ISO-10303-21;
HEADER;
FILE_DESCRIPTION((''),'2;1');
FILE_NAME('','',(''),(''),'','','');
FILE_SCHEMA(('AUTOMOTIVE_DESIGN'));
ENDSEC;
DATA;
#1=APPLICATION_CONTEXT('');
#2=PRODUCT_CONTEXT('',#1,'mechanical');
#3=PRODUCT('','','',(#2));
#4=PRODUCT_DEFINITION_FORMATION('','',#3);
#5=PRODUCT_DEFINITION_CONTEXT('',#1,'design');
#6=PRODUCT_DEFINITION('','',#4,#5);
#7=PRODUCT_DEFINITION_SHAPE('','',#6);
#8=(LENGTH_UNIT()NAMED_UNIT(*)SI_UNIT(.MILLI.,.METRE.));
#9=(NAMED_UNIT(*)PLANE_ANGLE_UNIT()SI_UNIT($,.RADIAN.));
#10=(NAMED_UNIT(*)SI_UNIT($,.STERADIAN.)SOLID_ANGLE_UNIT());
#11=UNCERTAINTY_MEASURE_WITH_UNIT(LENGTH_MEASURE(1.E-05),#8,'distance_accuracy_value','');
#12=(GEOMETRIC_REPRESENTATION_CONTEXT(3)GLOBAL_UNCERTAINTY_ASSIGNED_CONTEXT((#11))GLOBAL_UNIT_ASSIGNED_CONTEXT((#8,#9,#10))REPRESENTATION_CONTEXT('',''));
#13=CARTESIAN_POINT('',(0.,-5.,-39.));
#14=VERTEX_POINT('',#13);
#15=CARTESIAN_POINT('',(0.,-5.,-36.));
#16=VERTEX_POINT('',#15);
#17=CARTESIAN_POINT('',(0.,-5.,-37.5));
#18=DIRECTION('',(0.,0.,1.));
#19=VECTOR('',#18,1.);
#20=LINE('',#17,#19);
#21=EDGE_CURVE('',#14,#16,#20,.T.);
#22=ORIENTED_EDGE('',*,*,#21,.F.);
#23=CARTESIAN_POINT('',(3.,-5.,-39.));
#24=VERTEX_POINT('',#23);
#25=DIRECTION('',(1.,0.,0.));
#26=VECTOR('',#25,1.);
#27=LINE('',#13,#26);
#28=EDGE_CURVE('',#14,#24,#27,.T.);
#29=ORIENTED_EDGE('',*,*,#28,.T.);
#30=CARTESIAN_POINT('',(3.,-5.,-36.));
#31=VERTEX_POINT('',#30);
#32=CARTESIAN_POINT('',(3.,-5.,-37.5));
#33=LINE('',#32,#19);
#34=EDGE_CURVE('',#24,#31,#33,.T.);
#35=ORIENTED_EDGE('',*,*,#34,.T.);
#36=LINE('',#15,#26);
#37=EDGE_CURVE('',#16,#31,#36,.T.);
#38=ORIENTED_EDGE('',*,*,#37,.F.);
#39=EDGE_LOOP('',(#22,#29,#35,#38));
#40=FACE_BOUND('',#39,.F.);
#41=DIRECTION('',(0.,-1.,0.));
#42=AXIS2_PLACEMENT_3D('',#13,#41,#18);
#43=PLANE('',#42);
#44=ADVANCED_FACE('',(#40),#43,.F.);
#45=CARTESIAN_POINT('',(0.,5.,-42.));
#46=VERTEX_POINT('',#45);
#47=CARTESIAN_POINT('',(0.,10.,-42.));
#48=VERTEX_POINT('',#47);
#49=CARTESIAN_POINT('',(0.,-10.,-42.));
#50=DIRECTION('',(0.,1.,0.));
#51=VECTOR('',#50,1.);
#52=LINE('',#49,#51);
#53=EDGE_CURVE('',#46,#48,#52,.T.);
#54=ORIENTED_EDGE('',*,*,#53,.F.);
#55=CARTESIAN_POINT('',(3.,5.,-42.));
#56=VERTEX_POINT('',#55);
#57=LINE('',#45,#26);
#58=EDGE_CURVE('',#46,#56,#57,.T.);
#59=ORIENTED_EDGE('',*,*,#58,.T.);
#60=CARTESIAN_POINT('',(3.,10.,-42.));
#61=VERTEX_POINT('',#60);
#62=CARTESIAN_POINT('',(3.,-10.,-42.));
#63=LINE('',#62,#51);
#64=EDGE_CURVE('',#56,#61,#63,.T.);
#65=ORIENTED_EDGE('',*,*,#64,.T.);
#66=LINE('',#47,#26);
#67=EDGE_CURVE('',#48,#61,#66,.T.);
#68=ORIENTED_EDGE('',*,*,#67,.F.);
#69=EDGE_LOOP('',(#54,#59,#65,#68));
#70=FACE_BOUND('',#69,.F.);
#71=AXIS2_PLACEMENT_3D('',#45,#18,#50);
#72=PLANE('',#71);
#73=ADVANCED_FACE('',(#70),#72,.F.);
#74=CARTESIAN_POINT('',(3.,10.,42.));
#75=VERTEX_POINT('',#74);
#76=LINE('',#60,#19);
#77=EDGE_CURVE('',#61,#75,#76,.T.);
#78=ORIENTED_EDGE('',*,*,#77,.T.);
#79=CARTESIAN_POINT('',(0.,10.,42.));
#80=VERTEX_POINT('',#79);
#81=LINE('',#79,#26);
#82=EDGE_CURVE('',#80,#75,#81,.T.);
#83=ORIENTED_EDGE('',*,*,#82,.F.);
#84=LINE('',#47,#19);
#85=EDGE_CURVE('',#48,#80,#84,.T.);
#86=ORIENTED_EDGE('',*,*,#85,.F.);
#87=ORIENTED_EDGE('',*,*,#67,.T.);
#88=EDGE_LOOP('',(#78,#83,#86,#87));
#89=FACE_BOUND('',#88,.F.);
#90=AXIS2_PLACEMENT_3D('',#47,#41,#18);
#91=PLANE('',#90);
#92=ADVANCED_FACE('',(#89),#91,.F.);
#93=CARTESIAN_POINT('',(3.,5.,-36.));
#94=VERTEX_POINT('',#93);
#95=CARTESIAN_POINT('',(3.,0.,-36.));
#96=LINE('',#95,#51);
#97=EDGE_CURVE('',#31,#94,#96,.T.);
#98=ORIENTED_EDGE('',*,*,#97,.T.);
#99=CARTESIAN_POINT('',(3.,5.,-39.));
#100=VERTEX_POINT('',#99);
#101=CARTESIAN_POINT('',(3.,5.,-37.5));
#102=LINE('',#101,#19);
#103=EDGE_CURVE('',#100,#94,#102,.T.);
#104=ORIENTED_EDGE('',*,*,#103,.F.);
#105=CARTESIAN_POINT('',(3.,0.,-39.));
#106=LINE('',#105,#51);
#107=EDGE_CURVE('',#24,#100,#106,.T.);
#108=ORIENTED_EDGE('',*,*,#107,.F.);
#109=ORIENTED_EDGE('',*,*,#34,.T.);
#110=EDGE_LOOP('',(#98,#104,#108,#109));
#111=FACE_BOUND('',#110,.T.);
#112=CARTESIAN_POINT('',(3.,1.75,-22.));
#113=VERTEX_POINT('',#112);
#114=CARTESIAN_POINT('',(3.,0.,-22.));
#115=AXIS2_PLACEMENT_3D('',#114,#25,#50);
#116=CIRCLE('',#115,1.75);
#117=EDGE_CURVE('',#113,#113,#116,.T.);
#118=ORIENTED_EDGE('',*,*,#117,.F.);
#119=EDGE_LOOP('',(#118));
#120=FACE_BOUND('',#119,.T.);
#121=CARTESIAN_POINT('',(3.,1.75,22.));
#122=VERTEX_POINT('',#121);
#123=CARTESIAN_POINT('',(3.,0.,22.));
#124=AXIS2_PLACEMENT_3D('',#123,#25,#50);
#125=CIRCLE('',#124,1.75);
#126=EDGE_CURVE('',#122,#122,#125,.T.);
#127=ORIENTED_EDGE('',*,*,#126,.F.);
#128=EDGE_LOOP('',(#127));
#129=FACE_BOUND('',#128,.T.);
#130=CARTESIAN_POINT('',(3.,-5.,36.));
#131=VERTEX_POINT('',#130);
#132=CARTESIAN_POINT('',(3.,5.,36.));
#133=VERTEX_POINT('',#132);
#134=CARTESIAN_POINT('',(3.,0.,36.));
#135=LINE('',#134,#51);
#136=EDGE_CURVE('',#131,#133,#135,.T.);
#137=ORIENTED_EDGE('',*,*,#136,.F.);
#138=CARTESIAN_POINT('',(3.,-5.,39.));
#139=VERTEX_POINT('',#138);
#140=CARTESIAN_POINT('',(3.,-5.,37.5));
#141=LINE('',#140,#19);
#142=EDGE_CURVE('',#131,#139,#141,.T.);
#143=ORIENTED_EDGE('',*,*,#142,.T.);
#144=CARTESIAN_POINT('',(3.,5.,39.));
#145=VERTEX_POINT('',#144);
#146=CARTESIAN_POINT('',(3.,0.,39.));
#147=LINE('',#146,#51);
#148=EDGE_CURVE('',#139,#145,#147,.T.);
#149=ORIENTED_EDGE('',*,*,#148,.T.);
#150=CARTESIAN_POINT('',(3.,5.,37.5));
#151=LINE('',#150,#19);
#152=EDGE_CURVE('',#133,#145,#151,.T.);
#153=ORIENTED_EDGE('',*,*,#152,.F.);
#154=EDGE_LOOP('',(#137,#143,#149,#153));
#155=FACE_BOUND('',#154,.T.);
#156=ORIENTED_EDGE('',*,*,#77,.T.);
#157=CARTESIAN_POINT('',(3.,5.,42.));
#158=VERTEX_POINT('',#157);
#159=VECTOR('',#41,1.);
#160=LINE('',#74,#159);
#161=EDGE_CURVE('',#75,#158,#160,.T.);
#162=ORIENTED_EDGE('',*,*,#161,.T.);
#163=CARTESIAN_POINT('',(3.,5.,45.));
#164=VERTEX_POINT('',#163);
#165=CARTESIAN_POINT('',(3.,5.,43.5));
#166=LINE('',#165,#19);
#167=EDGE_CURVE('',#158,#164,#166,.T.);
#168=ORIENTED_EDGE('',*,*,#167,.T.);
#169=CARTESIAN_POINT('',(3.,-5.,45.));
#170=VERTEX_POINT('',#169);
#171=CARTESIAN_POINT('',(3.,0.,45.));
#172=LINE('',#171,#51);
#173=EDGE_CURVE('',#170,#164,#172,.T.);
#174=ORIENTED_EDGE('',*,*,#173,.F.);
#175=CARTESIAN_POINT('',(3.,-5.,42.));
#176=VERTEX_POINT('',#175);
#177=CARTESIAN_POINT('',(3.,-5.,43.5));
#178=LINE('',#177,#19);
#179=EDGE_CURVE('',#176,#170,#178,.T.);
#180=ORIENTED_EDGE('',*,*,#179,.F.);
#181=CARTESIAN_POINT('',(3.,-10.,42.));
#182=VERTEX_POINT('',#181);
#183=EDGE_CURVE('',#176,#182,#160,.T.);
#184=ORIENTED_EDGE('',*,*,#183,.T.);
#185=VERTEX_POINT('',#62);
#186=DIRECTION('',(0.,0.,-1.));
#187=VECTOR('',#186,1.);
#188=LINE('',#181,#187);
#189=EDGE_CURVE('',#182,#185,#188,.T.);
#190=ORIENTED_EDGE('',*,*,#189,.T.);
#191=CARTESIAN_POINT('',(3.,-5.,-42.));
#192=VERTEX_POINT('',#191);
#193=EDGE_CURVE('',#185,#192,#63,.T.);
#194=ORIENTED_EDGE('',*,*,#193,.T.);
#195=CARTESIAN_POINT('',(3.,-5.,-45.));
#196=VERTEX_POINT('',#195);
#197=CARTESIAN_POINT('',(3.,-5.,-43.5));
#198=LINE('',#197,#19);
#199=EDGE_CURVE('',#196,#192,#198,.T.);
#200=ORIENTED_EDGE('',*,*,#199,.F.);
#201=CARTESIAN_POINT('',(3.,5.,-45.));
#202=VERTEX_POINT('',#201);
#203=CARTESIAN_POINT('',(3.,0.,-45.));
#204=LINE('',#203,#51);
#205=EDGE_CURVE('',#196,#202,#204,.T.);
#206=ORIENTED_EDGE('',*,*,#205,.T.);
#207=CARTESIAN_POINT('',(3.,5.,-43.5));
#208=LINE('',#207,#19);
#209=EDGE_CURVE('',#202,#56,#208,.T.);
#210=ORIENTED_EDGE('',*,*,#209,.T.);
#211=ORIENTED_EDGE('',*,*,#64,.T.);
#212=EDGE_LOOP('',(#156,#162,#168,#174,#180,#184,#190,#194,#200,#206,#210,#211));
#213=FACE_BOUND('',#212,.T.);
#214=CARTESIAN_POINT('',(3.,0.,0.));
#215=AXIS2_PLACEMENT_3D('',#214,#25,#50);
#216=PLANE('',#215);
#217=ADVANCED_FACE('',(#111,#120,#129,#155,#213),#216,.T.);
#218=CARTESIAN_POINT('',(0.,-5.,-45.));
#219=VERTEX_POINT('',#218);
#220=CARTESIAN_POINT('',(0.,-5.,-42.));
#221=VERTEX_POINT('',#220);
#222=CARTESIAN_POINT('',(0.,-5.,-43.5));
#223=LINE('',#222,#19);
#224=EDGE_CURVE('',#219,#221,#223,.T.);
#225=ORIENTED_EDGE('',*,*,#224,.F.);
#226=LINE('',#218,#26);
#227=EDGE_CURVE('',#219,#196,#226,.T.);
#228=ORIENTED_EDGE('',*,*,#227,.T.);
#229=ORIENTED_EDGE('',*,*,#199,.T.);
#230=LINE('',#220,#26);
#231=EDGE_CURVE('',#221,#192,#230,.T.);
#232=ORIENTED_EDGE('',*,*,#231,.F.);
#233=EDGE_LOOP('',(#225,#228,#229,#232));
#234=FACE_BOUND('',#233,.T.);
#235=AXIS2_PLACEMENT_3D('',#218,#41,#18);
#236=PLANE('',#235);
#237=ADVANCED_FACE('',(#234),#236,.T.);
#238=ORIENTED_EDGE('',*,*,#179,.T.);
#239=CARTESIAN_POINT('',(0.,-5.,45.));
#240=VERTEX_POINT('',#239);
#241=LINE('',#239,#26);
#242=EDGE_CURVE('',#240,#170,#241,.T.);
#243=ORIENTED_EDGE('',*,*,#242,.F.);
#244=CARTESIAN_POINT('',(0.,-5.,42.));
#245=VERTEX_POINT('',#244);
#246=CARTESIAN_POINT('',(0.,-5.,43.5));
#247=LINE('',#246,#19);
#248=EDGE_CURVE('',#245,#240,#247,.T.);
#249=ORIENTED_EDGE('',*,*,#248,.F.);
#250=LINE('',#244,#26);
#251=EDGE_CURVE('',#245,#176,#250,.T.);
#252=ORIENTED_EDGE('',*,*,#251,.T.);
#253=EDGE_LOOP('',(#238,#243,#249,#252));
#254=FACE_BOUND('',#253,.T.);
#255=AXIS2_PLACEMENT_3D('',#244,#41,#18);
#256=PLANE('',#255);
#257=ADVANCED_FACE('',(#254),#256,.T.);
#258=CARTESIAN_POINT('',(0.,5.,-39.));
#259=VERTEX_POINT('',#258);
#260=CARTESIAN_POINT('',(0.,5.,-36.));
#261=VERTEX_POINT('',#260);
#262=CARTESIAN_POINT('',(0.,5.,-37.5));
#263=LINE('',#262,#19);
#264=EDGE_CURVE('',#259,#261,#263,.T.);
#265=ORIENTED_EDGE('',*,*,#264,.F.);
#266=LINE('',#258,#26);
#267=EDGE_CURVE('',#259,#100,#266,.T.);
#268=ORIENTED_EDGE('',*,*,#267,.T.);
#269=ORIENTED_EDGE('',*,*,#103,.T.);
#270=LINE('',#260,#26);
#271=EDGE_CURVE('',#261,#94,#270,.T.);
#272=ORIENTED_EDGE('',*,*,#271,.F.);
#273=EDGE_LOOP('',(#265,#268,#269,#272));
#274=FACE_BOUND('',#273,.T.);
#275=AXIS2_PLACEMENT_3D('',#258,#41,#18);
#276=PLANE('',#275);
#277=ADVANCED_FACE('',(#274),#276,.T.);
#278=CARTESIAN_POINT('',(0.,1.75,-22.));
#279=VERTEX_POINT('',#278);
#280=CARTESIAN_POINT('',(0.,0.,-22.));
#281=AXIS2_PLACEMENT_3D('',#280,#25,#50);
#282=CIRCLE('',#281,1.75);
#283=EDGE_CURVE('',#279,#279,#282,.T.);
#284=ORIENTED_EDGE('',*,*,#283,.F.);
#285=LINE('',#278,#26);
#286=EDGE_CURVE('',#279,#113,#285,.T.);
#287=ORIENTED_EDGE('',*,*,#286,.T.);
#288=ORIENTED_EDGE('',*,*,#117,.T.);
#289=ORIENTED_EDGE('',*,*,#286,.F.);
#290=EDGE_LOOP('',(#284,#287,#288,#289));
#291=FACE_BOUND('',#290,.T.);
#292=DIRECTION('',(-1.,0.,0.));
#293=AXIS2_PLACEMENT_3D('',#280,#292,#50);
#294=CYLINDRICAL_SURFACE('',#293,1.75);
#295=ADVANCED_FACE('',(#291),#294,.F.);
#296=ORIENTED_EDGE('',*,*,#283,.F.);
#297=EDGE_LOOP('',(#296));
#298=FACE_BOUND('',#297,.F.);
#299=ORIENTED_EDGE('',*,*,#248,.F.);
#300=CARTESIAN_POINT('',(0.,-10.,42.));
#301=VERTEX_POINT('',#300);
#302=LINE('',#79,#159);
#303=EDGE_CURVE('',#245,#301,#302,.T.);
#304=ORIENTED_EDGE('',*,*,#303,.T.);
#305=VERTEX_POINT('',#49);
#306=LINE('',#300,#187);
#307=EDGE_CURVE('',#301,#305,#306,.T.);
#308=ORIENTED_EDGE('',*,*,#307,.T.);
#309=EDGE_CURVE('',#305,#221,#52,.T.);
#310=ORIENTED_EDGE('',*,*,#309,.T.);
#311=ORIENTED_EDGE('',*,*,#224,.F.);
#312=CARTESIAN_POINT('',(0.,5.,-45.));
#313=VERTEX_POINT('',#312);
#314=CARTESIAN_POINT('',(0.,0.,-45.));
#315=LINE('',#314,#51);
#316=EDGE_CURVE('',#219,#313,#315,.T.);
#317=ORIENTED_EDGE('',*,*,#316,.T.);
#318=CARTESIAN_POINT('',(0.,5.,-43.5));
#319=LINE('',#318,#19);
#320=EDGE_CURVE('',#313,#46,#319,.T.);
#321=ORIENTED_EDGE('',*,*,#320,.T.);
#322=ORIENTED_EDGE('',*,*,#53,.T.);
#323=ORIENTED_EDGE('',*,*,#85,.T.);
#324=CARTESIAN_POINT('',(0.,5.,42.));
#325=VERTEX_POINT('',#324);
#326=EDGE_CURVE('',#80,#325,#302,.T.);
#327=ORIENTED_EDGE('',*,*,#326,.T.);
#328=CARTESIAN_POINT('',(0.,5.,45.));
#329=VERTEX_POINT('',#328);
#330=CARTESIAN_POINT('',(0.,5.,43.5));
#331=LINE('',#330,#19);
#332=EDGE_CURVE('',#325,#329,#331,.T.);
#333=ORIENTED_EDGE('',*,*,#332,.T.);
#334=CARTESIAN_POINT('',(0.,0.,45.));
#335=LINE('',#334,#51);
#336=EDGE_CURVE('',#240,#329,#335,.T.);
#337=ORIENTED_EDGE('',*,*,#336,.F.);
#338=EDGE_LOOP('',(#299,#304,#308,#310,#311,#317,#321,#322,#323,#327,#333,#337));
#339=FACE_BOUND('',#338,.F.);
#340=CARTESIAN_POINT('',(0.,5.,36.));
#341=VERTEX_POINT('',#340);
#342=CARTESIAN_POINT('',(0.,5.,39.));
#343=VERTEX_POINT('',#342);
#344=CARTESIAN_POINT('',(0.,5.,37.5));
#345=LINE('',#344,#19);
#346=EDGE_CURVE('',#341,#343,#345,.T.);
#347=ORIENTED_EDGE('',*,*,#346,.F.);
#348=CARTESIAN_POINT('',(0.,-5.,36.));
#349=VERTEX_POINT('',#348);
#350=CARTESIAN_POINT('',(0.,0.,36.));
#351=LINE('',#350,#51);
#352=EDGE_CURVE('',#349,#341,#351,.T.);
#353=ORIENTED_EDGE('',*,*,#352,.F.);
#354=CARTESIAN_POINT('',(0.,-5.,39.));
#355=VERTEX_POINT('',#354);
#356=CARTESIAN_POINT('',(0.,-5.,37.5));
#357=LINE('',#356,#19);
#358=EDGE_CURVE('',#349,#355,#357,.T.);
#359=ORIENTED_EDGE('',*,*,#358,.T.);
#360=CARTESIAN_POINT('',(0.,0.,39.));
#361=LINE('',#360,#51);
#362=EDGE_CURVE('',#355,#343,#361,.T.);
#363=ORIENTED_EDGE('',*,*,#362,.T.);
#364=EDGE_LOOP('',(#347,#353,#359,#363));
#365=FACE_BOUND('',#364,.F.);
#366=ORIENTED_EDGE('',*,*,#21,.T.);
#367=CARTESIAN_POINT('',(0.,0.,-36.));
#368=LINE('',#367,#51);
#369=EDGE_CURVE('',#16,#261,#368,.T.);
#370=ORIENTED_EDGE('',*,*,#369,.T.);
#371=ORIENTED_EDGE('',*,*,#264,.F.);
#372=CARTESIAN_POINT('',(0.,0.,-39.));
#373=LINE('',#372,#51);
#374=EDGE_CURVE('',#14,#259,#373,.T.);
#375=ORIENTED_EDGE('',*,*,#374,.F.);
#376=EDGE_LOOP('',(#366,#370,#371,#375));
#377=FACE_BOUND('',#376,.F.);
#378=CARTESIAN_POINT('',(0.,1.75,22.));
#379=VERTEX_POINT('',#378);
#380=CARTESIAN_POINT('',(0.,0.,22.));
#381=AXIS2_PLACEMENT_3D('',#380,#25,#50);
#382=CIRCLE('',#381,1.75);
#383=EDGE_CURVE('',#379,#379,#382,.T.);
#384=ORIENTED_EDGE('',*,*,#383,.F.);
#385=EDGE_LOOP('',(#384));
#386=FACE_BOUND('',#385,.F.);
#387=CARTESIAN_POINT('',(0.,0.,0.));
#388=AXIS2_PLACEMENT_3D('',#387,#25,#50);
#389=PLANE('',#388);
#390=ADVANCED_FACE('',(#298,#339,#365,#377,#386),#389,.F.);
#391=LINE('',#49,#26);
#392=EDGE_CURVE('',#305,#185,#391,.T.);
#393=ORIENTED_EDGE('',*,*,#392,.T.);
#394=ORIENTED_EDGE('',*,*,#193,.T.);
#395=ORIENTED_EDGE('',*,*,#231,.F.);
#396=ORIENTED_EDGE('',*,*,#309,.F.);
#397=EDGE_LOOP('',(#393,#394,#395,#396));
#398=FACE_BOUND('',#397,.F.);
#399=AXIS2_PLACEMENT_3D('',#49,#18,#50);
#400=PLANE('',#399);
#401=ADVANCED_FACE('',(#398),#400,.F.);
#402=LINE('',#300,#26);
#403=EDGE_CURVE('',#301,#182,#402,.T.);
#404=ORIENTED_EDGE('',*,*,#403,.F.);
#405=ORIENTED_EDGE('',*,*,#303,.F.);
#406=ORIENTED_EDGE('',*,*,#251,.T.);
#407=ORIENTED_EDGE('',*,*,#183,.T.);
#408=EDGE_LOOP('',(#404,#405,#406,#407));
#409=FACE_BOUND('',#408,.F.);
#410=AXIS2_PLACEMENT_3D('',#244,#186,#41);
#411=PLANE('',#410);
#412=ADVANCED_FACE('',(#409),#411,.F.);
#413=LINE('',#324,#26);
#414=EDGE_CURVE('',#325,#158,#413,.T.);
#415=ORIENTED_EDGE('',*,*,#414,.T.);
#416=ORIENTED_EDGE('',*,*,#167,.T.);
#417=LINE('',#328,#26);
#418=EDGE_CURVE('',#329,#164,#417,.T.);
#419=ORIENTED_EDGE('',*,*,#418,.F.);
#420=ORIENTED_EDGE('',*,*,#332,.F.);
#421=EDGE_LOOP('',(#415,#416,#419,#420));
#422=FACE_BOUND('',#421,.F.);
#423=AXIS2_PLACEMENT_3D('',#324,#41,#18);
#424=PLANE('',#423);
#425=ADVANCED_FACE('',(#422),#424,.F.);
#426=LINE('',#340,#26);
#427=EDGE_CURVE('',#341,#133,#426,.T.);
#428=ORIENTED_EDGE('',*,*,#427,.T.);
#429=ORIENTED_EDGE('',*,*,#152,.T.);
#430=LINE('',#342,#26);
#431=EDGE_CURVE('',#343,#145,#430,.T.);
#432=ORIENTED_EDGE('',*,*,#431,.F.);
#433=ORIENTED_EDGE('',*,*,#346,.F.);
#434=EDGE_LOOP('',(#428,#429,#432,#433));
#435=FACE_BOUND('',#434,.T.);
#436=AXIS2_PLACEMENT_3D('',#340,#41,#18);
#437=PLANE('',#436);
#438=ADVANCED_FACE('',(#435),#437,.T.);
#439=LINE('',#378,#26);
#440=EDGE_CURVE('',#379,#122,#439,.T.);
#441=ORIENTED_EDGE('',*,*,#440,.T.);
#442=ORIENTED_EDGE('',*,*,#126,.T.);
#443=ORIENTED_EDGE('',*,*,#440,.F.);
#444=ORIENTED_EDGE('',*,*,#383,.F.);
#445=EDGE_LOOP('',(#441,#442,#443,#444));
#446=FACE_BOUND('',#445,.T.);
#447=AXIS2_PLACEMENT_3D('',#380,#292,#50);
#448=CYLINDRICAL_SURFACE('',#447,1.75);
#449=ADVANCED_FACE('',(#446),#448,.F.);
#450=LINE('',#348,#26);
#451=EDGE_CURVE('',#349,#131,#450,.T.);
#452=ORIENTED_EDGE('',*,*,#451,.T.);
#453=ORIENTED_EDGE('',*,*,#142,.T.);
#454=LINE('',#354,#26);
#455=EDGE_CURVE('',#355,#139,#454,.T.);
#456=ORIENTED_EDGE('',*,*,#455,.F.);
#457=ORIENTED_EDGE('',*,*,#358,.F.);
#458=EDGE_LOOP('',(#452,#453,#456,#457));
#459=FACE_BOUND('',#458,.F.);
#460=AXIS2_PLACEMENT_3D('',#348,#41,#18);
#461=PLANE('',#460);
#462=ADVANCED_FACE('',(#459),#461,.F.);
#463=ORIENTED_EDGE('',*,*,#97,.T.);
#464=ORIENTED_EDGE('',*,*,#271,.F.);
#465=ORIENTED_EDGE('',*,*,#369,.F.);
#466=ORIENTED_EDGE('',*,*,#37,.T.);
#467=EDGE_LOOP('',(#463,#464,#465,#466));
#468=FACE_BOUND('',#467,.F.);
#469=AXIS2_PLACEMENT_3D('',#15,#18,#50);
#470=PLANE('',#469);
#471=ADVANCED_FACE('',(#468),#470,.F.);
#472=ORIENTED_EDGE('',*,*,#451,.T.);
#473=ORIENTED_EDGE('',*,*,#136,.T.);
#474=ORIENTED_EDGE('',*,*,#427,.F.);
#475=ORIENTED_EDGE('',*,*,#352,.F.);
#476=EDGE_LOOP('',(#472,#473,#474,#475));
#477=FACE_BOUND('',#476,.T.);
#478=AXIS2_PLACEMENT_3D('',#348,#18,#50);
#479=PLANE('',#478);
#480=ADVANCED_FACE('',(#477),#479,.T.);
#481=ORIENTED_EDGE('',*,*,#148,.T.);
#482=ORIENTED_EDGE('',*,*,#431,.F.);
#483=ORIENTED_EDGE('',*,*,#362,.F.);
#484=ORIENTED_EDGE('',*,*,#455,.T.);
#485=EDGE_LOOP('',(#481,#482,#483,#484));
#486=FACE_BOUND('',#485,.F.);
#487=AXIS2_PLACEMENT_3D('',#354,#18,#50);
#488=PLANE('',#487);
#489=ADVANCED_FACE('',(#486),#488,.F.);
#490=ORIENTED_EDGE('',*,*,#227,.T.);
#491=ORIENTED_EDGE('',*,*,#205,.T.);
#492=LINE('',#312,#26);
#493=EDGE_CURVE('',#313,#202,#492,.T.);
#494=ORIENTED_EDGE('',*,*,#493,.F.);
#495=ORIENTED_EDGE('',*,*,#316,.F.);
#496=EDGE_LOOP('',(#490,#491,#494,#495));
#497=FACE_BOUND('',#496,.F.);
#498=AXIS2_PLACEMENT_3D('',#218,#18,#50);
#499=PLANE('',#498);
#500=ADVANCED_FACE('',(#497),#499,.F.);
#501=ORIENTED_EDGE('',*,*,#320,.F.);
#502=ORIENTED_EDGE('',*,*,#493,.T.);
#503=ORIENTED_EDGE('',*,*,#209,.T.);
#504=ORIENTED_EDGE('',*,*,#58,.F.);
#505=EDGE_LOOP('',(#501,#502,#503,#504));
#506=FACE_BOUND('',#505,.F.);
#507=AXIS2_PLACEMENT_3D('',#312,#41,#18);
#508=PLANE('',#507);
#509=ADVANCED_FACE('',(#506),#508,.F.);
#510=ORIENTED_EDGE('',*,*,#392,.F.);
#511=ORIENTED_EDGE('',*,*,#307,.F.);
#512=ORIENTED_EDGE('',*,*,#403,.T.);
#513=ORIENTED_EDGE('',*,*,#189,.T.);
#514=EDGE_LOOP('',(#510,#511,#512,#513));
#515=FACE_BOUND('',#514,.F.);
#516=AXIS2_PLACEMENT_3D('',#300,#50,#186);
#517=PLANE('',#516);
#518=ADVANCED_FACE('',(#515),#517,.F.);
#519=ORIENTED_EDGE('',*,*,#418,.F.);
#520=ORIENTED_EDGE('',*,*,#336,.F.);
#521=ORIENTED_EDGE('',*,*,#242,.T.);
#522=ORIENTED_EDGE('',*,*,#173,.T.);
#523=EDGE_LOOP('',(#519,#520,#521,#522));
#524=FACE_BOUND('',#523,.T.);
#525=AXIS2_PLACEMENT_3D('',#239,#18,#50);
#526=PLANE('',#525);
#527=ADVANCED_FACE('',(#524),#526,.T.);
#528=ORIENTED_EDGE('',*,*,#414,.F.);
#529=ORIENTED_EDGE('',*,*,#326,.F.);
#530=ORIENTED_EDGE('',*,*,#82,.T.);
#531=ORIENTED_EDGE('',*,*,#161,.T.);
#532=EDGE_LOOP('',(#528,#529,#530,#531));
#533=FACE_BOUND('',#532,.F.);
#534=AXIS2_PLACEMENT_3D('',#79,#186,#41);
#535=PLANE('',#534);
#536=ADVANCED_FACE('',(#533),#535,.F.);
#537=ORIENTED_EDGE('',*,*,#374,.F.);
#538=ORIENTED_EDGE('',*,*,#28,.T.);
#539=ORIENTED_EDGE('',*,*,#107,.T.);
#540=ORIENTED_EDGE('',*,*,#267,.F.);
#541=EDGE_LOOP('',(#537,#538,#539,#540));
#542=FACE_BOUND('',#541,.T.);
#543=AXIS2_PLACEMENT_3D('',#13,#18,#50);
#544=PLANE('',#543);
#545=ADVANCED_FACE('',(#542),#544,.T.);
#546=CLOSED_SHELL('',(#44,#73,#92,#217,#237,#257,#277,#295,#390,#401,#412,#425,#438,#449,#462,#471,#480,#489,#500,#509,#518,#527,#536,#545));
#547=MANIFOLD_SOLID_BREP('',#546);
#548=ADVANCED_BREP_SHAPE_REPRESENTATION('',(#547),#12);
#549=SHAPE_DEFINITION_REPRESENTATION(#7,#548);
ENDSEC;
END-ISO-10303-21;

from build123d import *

# Parameters (mm, degrees)
F0_W     = 10
F0_H     = 3
F0_R     = 1.75
F1_DEPTH = 3


with BuildPart() as f1:
    # F0 (on Right) → F1 (new body)
    with BuildSketch(Plane.YZ):
        Polygon((10, -42), (10, 42), (5, 42), (-5, 42), (-10, 42), (-10, -42), (-5, -42), (5, -42), align=None)
        with Locations((0, -37.5)):
            Rectangle(F0_W, F0_H, mode=Mode.SUBTRACT)
        with Locations((0, -22)):
            Circle(F0_R, mode=Mode.SUBTRACT)
        with Locations((0, 22)):
            Circle(F0_R, mode=Mode.SUBTRACT)
        with Locations((0, 37.5)):
            Rectangle(F0_W, F0_H, mode=Mode.SUBTRACT)
        with Locations((0, 43.5)):
            Rectangle(F0_W, F0_H)
        with Locations((0, -43.5)):
            Rectangle(F0_W, F0_H)
    extrude(amount=F1_DEPTH)


solid = f1.part
